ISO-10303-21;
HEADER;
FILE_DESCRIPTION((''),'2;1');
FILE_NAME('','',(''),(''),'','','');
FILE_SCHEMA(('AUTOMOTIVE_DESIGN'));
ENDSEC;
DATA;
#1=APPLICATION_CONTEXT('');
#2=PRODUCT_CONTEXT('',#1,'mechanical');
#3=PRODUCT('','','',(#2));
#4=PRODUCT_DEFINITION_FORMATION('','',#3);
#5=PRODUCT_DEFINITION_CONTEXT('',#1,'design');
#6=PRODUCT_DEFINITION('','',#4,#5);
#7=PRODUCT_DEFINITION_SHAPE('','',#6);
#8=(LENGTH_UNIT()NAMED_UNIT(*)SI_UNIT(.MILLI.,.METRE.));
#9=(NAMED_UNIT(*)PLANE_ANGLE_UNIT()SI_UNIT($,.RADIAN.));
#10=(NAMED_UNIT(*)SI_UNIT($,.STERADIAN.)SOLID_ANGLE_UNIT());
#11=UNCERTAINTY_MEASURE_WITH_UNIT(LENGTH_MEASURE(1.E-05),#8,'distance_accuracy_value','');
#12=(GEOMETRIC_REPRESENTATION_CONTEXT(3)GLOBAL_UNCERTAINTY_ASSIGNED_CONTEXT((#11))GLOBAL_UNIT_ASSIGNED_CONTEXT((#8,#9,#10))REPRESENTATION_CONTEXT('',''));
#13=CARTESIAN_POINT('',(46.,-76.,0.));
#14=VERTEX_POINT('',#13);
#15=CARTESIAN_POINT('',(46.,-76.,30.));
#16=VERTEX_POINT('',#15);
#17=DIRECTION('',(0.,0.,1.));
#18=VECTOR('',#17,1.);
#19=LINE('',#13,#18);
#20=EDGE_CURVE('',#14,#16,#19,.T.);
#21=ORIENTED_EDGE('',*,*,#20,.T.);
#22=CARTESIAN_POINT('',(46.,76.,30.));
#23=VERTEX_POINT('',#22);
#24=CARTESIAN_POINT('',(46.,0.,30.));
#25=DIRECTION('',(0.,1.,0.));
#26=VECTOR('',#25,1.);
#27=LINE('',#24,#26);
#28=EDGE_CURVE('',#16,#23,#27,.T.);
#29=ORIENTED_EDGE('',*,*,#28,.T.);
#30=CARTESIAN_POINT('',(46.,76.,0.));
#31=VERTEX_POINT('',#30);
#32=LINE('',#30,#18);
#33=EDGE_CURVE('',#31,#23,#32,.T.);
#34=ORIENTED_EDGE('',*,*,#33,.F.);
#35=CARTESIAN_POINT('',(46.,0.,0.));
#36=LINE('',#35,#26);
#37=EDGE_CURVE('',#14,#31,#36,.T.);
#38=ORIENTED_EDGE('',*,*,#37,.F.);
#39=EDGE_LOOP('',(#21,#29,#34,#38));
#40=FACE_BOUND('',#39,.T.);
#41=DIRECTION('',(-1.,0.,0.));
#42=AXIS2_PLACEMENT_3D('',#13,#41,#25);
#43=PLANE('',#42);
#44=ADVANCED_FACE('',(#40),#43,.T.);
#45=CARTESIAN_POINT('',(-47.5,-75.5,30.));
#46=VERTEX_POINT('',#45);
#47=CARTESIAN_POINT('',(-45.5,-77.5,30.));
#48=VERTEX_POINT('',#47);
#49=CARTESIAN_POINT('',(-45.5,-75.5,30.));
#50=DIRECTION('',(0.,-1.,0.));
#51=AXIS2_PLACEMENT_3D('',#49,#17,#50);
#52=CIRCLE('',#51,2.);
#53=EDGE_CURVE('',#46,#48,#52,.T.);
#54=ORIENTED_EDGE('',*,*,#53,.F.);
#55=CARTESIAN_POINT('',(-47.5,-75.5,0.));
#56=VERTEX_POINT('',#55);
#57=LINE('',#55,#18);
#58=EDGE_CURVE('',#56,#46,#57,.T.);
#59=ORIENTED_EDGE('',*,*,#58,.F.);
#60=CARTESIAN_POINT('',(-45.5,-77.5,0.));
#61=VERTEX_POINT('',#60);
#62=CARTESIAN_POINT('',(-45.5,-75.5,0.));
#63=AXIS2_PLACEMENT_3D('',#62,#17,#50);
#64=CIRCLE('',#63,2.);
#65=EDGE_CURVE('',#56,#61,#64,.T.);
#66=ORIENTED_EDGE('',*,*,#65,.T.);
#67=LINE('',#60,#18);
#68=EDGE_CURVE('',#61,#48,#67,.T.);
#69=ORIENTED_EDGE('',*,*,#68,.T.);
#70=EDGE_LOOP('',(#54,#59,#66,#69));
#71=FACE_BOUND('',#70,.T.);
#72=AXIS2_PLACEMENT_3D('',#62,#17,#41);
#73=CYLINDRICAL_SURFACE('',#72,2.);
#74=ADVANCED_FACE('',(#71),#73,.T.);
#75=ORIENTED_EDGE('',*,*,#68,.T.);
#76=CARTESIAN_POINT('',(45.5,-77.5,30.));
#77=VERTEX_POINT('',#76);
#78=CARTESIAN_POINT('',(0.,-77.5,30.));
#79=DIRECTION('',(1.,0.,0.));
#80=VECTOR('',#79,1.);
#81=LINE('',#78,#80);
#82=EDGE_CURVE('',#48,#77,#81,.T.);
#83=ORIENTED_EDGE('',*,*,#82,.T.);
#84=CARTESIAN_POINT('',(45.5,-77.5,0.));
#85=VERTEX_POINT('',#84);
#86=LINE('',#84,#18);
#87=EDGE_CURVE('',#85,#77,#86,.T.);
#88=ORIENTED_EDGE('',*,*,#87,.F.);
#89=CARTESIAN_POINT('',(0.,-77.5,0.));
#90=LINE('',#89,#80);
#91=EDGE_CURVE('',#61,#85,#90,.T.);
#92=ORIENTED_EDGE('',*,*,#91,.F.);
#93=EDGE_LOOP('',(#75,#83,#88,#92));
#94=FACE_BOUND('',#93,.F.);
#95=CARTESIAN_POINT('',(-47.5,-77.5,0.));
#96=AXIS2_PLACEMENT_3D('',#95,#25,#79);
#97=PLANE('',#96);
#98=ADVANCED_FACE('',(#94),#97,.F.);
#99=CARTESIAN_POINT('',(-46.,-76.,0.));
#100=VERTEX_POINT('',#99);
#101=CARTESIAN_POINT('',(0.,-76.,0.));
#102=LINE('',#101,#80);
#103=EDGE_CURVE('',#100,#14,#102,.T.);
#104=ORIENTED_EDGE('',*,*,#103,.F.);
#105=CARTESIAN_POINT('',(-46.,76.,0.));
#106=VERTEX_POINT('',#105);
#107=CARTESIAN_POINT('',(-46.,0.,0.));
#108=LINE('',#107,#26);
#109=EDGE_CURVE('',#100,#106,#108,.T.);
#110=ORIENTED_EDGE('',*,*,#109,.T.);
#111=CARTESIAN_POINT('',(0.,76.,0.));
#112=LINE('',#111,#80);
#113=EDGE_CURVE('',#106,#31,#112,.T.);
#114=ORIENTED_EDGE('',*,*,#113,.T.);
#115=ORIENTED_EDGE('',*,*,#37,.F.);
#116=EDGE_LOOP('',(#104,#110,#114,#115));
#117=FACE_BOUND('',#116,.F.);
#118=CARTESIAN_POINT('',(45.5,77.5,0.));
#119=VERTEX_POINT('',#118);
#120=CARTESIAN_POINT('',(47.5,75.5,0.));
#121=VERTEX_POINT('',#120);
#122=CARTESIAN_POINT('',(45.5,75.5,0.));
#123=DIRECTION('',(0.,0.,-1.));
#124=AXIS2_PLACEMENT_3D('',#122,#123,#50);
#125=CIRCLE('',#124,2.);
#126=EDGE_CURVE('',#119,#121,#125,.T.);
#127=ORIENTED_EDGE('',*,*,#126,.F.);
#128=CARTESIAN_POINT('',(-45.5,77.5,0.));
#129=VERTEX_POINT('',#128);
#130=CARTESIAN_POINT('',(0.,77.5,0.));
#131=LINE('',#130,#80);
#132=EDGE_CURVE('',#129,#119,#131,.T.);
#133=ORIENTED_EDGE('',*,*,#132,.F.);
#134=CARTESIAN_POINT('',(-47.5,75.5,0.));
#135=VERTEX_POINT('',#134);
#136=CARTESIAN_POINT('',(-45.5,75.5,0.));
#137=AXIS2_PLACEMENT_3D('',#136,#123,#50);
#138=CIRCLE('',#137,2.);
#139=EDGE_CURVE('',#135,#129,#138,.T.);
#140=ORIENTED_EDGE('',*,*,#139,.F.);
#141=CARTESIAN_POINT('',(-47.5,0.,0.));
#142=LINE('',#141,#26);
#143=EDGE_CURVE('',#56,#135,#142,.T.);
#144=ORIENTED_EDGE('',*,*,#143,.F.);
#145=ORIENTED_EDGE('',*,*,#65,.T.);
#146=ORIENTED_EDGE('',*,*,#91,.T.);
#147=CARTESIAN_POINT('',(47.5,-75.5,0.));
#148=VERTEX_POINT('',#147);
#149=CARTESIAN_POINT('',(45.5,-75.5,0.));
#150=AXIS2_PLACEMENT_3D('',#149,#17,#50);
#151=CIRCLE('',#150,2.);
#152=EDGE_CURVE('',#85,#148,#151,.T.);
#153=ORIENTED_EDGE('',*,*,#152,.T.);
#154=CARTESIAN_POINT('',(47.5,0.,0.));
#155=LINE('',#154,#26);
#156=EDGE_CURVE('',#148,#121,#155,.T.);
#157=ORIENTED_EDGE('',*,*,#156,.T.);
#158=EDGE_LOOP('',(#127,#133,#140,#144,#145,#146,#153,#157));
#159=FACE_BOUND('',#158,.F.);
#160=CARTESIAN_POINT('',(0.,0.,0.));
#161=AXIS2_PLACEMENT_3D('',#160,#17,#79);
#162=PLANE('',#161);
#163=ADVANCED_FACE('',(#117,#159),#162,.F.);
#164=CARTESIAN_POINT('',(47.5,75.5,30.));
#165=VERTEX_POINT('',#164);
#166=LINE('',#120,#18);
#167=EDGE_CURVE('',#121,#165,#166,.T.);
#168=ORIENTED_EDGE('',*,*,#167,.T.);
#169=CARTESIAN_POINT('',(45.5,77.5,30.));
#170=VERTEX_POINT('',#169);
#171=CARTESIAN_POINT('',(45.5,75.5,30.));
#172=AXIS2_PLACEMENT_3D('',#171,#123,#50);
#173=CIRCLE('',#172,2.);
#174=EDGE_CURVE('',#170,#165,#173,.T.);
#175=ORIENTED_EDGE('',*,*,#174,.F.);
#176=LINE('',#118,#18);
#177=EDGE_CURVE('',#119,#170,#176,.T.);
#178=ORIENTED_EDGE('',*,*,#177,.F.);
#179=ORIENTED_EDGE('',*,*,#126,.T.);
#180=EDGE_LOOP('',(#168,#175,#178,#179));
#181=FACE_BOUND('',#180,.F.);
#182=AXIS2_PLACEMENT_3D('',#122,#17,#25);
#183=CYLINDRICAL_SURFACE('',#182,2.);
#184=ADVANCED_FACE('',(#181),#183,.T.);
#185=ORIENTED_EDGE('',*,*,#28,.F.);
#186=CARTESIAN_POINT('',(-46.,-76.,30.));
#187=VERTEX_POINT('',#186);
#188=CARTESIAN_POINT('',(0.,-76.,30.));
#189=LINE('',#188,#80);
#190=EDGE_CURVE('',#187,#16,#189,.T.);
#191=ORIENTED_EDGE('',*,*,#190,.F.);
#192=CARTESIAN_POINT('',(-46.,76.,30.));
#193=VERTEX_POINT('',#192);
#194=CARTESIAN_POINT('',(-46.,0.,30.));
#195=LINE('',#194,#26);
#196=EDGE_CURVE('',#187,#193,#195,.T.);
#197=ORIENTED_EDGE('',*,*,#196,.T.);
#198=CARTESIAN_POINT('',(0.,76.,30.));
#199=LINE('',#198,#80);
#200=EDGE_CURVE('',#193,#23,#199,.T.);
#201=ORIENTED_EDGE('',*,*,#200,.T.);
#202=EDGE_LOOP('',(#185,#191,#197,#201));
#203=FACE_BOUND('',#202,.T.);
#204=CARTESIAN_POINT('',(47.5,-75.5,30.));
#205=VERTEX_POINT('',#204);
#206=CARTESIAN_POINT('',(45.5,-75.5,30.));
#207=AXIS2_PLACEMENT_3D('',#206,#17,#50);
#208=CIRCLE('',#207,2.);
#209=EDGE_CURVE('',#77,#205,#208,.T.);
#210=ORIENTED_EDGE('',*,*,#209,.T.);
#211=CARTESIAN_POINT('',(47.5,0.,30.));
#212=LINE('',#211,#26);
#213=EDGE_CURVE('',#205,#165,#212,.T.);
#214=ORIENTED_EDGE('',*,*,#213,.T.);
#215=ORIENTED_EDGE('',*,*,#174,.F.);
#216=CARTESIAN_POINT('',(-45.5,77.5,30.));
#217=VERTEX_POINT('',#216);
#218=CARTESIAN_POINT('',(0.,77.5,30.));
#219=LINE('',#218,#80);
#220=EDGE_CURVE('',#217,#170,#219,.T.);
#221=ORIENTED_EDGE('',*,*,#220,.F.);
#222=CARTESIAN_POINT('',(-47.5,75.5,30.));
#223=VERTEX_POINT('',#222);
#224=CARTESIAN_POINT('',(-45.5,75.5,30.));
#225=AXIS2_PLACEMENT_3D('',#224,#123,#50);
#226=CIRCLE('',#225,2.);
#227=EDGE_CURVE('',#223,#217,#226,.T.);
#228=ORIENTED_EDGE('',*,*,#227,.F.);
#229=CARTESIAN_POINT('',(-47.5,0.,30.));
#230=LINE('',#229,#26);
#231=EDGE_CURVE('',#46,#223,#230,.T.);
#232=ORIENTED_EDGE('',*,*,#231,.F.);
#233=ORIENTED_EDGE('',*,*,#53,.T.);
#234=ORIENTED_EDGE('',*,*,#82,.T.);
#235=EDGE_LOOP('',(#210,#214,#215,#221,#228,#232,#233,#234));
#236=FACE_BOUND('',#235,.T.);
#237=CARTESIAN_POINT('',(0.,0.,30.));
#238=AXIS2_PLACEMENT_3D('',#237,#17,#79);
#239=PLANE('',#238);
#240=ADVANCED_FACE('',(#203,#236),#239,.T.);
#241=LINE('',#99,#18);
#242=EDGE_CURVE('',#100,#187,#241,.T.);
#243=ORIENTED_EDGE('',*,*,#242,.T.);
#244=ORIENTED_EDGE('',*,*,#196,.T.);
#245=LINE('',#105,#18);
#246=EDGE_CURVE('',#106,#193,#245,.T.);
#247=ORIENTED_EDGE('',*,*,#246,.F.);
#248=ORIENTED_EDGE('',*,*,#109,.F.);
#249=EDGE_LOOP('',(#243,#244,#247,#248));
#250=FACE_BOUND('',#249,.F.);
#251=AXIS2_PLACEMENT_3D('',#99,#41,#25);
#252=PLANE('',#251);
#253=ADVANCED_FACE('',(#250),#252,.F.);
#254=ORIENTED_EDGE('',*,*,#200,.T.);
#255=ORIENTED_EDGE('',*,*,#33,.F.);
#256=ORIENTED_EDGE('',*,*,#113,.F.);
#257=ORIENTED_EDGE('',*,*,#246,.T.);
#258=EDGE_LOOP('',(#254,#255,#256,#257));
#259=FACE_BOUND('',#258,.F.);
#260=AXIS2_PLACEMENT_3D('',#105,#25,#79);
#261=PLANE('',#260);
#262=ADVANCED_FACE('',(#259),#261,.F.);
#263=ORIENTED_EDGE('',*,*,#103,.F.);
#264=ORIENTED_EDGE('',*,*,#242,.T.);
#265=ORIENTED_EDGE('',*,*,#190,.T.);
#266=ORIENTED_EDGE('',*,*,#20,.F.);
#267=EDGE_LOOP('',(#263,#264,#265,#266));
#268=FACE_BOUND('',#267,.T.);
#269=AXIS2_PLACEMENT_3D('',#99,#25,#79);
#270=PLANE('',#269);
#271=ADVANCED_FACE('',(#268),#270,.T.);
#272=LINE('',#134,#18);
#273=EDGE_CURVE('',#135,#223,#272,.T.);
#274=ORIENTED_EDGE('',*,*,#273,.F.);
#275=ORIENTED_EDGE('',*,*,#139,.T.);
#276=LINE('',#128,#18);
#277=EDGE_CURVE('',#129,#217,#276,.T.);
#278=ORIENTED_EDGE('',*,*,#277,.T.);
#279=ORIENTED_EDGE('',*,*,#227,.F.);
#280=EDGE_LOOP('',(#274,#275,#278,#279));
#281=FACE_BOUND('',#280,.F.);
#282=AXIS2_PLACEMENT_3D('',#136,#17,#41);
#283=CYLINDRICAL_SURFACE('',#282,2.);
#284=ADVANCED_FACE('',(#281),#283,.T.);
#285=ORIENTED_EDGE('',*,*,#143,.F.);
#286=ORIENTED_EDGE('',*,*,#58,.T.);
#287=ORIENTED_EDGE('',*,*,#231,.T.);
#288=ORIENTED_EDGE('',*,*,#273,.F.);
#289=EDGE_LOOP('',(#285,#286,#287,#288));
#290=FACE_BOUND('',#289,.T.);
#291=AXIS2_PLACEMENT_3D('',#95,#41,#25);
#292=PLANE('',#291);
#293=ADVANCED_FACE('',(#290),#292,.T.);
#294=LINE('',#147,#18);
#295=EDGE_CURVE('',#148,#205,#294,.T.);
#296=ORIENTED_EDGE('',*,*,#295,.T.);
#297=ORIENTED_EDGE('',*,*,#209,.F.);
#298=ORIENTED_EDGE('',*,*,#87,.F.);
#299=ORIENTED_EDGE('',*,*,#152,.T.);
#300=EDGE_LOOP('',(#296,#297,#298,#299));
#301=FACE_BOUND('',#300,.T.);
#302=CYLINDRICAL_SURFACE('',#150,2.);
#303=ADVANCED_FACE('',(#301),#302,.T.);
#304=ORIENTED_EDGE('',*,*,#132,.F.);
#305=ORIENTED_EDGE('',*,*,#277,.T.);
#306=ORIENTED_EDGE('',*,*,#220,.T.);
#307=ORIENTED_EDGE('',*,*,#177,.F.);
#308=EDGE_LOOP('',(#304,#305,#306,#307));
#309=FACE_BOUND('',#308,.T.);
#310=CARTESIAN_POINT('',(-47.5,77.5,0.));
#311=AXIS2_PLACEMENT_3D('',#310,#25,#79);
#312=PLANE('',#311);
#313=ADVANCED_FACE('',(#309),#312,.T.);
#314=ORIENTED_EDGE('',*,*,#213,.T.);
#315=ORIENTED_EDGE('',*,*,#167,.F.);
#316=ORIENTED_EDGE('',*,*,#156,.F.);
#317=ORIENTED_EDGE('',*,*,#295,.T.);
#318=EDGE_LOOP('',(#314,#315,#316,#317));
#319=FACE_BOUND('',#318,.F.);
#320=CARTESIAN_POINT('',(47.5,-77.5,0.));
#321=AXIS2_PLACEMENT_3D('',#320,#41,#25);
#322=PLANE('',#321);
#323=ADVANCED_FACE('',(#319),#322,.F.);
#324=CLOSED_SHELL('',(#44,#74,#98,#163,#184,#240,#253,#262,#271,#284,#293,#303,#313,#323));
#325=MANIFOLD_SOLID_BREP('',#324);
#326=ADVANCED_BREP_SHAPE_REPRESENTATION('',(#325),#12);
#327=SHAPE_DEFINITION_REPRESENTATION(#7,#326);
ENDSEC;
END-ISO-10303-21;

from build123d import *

# Parameters (mm, degrees)
F1_W     = 95
F1_H     = 155
F1_W_2   = 92
F1_H_2   = 152
F2_DEPTH = 30
F3_R     = 2


with BuildPart() as f2:
    # F1 (on face) → F2 (new body)
    with BuildSketch(Plane.XY):
        Rectangle(F1_W, F1_H)
        Rectangle(F1_W_2, F1_H_2, mode=Mode.SUBTRACT)
    extrude(amount=F2_DEPTH)

    # F3
    f3_edges = [f2.edges().sort_by_distance(p)[0] for p in [
        (47.5, 77.5, 15),
        (-47.5, 77.5, 15),
        (-47.5, -77.5, 15),
        (47.5, -77.5, 15),
    ]]
    fillet(f3_edges, radius=F3_R)


solid = f2.part
